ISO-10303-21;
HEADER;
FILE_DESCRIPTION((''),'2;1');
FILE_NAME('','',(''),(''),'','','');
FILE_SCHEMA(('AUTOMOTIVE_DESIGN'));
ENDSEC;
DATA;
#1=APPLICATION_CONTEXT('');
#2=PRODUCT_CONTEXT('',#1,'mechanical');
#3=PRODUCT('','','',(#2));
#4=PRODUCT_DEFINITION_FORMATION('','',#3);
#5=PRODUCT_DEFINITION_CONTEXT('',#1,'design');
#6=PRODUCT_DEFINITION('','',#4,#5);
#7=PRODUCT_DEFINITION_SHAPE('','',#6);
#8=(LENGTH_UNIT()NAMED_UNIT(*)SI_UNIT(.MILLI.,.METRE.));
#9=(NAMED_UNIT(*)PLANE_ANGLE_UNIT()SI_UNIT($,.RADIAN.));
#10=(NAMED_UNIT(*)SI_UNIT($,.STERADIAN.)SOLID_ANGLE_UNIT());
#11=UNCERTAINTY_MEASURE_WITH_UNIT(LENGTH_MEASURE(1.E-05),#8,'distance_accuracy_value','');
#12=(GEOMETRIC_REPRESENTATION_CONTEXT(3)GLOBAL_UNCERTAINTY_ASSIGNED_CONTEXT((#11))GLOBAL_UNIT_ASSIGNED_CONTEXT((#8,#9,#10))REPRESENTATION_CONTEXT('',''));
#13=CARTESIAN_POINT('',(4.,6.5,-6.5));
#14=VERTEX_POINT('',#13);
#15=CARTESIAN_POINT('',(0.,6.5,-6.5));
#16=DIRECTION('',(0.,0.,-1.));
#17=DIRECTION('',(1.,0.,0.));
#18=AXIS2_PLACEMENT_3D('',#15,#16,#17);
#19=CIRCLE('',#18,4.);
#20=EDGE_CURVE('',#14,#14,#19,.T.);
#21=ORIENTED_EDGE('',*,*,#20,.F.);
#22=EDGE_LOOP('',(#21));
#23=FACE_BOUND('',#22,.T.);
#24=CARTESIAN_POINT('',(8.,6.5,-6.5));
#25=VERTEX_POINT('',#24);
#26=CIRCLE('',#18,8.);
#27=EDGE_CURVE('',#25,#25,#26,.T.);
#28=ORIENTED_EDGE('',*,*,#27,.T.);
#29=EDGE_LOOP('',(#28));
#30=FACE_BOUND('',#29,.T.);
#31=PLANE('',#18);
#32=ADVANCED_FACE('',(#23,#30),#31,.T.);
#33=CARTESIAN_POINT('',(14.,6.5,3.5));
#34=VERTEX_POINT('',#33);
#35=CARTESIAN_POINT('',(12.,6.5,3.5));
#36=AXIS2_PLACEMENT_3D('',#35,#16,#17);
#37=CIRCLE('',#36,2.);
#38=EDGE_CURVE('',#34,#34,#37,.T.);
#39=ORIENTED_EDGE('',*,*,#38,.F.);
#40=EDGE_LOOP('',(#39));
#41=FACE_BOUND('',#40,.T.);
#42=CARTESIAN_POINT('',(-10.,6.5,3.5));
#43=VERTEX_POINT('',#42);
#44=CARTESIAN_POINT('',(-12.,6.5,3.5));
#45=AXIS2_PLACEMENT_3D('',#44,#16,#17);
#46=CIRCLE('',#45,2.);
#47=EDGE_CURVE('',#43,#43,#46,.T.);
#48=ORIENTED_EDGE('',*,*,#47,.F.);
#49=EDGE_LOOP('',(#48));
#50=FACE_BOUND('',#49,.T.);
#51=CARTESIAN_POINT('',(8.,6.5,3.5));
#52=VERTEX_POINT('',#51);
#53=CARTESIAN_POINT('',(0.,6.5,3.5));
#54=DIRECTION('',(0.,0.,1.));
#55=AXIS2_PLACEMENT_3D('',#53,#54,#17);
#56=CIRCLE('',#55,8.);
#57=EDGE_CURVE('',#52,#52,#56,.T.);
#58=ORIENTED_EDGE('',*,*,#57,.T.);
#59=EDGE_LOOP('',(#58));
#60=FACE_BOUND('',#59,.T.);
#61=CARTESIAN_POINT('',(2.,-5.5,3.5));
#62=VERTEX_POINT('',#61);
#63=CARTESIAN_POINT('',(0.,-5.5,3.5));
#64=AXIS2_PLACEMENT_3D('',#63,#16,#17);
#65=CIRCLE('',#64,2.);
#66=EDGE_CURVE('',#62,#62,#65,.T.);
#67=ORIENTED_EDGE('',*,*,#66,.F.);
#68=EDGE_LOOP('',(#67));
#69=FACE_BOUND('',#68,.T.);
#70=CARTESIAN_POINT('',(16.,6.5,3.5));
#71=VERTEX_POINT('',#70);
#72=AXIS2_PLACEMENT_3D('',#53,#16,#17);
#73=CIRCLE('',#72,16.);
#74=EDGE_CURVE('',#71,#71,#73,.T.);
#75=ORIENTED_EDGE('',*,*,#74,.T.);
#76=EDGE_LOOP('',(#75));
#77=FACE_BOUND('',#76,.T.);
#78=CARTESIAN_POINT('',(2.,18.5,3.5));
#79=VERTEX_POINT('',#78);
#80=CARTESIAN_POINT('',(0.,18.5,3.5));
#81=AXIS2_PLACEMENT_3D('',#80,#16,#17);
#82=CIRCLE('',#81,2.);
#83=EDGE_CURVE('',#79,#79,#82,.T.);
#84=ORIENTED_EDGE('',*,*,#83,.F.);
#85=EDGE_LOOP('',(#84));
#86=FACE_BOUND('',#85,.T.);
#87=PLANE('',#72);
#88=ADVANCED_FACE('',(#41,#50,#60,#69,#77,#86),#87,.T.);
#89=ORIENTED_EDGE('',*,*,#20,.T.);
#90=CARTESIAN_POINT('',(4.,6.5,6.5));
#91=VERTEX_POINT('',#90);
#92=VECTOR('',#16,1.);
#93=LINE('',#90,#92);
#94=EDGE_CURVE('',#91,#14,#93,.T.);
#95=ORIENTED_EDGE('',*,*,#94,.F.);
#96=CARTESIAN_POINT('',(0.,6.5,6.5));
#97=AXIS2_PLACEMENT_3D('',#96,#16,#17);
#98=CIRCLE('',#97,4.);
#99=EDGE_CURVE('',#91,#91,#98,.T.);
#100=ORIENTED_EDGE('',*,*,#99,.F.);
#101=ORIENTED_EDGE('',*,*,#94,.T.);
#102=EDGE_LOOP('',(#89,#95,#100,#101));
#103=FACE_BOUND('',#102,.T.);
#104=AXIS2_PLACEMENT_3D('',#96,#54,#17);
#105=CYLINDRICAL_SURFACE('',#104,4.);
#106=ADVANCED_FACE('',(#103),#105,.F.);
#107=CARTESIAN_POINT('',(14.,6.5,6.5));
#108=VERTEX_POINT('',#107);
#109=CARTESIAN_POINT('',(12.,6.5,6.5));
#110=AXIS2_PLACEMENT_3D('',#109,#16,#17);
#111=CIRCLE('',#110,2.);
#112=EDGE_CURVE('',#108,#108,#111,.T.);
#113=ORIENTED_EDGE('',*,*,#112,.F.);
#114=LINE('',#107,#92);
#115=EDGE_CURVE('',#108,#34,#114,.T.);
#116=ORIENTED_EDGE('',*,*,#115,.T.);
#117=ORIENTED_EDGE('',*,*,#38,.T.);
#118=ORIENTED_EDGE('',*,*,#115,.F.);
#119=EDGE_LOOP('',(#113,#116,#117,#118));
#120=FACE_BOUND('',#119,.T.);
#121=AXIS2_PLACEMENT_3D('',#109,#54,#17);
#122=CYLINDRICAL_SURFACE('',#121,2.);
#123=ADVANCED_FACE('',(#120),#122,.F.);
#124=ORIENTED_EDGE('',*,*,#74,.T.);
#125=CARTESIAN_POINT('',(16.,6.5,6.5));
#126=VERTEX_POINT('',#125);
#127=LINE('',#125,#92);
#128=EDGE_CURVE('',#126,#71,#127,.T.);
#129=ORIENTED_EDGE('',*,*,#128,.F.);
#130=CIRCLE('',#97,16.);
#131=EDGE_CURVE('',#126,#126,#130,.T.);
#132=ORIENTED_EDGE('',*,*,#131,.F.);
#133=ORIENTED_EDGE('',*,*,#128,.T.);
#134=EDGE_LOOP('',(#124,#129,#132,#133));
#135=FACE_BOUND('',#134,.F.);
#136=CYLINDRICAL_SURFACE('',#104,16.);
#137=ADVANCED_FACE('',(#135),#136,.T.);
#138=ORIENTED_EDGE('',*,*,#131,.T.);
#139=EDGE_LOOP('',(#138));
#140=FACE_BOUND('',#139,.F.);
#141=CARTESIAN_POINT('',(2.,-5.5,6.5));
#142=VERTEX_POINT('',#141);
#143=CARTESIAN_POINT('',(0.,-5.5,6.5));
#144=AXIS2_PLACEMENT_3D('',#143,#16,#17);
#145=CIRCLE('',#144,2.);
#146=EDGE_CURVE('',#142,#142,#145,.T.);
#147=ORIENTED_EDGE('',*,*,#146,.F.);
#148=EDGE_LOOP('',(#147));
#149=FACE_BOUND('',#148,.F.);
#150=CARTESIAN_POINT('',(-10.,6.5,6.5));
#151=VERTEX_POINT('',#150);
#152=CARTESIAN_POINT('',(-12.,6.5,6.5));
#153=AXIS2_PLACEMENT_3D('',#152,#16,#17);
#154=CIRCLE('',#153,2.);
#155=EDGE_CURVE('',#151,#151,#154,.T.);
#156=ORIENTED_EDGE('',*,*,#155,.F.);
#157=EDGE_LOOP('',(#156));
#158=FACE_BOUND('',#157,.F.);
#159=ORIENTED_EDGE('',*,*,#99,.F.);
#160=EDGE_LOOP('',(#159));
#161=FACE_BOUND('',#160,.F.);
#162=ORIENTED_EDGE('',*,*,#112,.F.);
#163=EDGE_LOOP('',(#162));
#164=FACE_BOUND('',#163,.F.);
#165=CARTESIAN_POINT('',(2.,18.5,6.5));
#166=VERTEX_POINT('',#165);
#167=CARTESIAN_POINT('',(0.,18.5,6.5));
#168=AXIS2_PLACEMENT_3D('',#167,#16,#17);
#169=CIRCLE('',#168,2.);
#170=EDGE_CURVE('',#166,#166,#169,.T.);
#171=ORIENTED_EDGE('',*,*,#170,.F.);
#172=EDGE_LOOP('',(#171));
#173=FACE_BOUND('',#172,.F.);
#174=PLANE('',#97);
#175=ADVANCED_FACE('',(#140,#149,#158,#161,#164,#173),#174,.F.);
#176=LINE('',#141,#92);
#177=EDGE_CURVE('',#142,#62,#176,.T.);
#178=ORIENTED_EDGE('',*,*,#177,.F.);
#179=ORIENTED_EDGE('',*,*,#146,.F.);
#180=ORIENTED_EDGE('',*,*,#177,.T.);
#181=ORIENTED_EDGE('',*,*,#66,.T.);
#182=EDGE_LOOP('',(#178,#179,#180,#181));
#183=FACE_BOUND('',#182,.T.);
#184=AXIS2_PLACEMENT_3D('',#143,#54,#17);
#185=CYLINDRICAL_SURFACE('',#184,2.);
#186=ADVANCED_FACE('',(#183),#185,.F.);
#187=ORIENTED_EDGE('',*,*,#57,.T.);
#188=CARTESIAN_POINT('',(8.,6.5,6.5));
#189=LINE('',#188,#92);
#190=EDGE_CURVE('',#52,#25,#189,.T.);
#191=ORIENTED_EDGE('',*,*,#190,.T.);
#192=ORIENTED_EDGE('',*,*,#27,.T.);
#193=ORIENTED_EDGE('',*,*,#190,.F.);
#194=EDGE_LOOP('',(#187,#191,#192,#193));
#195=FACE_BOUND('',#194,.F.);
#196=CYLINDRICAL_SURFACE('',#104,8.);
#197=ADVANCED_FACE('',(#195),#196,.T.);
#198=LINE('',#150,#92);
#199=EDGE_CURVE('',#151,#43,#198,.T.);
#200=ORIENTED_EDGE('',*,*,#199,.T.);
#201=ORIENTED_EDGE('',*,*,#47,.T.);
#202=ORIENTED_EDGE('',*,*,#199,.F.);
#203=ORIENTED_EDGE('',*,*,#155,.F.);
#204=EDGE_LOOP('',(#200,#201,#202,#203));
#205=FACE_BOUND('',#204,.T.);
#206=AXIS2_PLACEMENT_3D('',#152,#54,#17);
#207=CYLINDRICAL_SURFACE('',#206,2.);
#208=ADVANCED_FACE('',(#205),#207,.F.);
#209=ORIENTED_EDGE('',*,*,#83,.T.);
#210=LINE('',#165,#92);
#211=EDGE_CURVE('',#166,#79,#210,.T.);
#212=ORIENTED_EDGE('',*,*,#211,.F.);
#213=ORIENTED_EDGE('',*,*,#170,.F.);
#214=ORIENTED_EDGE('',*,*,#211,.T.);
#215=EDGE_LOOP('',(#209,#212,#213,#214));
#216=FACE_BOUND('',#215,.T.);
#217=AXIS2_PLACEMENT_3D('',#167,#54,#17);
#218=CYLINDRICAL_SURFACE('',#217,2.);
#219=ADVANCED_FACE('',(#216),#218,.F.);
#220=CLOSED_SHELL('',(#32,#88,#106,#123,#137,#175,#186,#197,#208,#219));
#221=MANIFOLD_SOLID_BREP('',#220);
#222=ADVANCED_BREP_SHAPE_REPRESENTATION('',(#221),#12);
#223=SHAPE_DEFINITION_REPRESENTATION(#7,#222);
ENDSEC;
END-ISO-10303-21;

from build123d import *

# Parameters (mm, degrees)
SKETCH1_R             = 16
SKETCH1_R_2           = 4
SKETCH1_R_3           = 2
BOSS_EXTRUDE1_DEPTH   = 3
SKETCH2_R             = 8
SKETCH2_R_2           = 4
BOSS_EXTRUDE2_DEPTH   = 13
BODY_MOVE_COPY1_ANGLE = 90


with BuildPart() as part:
    # Sketch1 → Boss-Extrude1 (new body)
    with BuildSketch(Plane(origin=(0, 0, 0), x_dir=(1, 0, 0), z_dir=(0, 1, 0))):
        Circle(SKETCH1_R)
        Circle(SKETCH1_R_2, mode=Mode.SUBTRACT)
        with Locations((12, 0)):
            Circle(SKETCH1_R_3, mode=Mode.SUBTRACT)
        with Locations((0, -12)):
            Circle(SKETCH1_R_3, mode=Mode.SUBTRACT)
        with Locations((-12, 0)):
            Circle(SKETCH1_R_3, mode=Mode.SUBTRACT)
        with Locations((0, 12)):
            Circle(SKETCH1_R_3, mode=Mode.SUBTRACT)
    extrude(amount=BOSS_EXTRUDE1_DEPTH)

    # Sketch2 → Boss-Extrude2 (add)
    with BuildSketch(Plane(origin=(0, 0, 0), x_dir=(1, 0, 0), z_dir=(0, 1, 0))):
        Circle(SKETCH2_R)
        Circle(SKETCH2_R_2, mode=Mode.SUBTRACT)
    extrude(amount=BOSS_EXTRUDE2_DEPTH)


with BuildPart() as part_1:
    # Body-Move/Copy1: moved
    add(part.part.rotate(Axis((0, 6.5, 0), (-1, 0, 0)), BODY_MOVE_COPY1_ANGLE))


solid = part_1.part
